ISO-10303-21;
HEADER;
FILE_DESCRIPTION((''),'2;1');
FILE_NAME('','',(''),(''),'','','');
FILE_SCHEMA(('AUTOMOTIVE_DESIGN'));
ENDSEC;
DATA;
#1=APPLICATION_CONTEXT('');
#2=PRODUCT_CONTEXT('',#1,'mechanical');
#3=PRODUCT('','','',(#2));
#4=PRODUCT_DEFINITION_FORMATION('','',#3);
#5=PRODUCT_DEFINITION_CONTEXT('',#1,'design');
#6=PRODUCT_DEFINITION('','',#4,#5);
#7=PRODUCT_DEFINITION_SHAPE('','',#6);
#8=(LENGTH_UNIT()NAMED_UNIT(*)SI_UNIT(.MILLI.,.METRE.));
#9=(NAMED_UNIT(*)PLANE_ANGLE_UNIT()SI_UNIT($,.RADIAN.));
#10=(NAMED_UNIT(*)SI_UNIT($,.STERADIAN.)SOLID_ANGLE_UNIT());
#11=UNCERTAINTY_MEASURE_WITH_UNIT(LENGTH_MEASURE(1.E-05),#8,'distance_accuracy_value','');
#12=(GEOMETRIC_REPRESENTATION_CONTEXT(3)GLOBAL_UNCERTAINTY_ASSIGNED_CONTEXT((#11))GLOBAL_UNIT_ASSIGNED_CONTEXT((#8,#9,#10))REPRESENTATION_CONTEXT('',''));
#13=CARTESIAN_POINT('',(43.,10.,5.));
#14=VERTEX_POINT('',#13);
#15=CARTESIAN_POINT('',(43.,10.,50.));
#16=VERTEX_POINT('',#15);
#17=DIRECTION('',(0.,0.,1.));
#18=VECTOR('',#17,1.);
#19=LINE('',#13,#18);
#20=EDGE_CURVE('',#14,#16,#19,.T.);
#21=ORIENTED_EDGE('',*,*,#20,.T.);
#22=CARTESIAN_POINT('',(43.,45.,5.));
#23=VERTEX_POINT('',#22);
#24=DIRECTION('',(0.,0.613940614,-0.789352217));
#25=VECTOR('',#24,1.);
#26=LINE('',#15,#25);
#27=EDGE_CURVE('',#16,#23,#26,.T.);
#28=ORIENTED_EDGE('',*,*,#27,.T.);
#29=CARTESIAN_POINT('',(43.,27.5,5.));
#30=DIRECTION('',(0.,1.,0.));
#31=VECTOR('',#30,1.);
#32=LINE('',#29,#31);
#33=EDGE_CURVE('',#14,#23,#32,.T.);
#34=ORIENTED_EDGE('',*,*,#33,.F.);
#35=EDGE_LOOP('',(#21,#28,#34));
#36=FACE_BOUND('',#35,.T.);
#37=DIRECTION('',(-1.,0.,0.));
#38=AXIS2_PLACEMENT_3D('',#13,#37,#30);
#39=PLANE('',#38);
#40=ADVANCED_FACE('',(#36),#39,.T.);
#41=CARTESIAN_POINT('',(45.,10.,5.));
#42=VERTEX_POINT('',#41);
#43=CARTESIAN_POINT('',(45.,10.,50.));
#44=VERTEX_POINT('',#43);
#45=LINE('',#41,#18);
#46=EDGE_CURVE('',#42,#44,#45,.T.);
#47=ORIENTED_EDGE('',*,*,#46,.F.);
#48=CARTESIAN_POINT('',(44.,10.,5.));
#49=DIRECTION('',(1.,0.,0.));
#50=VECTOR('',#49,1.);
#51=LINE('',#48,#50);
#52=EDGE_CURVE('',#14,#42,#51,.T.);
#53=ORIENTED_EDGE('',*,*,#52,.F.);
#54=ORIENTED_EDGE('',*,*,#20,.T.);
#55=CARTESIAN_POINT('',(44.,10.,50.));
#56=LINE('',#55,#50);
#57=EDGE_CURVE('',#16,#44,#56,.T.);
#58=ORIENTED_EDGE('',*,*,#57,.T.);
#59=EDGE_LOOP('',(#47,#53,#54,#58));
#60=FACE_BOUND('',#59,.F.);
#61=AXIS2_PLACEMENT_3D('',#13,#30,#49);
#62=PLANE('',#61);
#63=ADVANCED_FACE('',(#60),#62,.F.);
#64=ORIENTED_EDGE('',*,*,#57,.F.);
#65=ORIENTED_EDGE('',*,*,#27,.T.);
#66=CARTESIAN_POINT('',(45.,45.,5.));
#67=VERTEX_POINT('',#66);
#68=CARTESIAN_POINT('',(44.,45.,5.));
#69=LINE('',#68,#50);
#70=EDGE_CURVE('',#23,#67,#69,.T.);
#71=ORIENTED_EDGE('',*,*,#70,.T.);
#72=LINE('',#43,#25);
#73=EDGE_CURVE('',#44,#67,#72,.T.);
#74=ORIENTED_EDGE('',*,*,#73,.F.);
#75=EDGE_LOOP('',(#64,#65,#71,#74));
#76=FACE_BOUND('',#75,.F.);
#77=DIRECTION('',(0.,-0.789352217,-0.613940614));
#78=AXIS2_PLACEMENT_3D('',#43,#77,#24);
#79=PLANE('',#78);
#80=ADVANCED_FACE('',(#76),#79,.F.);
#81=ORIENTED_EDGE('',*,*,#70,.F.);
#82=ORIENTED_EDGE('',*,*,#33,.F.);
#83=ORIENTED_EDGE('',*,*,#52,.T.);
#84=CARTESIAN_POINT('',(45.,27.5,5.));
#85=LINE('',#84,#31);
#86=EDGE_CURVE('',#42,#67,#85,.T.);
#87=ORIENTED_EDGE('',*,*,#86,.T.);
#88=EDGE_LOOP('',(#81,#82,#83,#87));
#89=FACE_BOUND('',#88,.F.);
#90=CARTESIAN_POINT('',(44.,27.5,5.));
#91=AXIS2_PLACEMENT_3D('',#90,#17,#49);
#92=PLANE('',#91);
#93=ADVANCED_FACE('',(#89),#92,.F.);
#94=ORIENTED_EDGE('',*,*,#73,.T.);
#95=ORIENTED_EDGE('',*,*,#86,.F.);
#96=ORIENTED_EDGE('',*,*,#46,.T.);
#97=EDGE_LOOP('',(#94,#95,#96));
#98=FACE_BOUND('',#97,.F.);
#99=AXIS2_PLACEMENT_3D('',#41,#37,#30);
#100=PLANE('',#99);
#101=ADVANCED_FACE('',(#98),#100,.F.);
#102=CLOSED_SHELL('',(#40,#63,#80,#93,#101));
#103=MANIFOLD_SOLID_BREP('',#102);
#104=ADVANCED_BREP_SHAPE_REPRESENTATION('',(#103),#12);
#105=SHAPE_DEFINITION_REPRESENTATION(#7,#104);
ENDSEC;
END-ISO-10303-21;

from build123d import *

# Parameters (mm, degrees)
EXTRUDE004_DEPTH = 2
SKETCH005_W      = 2
SKETCH005_H      = 35
EXTRUDE003_DEPTH = 45


with BuildPart() as extrude004:
    # Sketch006 (on Face4 of Extrude003) → Extrude004 (new body)
    with BuildSketch(Plane.YZ.offset(45)):
        Polygon((10, 50), (45, 5), (45, 50), align=None)
    extrude(amount=-EXTRUDE004_DEPTH)


with BuildPart() as cut002:
    # Sketch005 (on Face1 of CopyCut) → Extrude003 (new body)
    with BuildSketch(Plane.XY.offset(5)):
        with Locations((44, 27.5)):
            Rectangle(SKETCH005_W, SKETCH005_H)
    extrude(amount=EXTRUDE003_DEPTH)

    # Cut002: cut Extrude004
    add(extrude004.part, mode=Mode.SUBTRACT)


solid = cut002.part
